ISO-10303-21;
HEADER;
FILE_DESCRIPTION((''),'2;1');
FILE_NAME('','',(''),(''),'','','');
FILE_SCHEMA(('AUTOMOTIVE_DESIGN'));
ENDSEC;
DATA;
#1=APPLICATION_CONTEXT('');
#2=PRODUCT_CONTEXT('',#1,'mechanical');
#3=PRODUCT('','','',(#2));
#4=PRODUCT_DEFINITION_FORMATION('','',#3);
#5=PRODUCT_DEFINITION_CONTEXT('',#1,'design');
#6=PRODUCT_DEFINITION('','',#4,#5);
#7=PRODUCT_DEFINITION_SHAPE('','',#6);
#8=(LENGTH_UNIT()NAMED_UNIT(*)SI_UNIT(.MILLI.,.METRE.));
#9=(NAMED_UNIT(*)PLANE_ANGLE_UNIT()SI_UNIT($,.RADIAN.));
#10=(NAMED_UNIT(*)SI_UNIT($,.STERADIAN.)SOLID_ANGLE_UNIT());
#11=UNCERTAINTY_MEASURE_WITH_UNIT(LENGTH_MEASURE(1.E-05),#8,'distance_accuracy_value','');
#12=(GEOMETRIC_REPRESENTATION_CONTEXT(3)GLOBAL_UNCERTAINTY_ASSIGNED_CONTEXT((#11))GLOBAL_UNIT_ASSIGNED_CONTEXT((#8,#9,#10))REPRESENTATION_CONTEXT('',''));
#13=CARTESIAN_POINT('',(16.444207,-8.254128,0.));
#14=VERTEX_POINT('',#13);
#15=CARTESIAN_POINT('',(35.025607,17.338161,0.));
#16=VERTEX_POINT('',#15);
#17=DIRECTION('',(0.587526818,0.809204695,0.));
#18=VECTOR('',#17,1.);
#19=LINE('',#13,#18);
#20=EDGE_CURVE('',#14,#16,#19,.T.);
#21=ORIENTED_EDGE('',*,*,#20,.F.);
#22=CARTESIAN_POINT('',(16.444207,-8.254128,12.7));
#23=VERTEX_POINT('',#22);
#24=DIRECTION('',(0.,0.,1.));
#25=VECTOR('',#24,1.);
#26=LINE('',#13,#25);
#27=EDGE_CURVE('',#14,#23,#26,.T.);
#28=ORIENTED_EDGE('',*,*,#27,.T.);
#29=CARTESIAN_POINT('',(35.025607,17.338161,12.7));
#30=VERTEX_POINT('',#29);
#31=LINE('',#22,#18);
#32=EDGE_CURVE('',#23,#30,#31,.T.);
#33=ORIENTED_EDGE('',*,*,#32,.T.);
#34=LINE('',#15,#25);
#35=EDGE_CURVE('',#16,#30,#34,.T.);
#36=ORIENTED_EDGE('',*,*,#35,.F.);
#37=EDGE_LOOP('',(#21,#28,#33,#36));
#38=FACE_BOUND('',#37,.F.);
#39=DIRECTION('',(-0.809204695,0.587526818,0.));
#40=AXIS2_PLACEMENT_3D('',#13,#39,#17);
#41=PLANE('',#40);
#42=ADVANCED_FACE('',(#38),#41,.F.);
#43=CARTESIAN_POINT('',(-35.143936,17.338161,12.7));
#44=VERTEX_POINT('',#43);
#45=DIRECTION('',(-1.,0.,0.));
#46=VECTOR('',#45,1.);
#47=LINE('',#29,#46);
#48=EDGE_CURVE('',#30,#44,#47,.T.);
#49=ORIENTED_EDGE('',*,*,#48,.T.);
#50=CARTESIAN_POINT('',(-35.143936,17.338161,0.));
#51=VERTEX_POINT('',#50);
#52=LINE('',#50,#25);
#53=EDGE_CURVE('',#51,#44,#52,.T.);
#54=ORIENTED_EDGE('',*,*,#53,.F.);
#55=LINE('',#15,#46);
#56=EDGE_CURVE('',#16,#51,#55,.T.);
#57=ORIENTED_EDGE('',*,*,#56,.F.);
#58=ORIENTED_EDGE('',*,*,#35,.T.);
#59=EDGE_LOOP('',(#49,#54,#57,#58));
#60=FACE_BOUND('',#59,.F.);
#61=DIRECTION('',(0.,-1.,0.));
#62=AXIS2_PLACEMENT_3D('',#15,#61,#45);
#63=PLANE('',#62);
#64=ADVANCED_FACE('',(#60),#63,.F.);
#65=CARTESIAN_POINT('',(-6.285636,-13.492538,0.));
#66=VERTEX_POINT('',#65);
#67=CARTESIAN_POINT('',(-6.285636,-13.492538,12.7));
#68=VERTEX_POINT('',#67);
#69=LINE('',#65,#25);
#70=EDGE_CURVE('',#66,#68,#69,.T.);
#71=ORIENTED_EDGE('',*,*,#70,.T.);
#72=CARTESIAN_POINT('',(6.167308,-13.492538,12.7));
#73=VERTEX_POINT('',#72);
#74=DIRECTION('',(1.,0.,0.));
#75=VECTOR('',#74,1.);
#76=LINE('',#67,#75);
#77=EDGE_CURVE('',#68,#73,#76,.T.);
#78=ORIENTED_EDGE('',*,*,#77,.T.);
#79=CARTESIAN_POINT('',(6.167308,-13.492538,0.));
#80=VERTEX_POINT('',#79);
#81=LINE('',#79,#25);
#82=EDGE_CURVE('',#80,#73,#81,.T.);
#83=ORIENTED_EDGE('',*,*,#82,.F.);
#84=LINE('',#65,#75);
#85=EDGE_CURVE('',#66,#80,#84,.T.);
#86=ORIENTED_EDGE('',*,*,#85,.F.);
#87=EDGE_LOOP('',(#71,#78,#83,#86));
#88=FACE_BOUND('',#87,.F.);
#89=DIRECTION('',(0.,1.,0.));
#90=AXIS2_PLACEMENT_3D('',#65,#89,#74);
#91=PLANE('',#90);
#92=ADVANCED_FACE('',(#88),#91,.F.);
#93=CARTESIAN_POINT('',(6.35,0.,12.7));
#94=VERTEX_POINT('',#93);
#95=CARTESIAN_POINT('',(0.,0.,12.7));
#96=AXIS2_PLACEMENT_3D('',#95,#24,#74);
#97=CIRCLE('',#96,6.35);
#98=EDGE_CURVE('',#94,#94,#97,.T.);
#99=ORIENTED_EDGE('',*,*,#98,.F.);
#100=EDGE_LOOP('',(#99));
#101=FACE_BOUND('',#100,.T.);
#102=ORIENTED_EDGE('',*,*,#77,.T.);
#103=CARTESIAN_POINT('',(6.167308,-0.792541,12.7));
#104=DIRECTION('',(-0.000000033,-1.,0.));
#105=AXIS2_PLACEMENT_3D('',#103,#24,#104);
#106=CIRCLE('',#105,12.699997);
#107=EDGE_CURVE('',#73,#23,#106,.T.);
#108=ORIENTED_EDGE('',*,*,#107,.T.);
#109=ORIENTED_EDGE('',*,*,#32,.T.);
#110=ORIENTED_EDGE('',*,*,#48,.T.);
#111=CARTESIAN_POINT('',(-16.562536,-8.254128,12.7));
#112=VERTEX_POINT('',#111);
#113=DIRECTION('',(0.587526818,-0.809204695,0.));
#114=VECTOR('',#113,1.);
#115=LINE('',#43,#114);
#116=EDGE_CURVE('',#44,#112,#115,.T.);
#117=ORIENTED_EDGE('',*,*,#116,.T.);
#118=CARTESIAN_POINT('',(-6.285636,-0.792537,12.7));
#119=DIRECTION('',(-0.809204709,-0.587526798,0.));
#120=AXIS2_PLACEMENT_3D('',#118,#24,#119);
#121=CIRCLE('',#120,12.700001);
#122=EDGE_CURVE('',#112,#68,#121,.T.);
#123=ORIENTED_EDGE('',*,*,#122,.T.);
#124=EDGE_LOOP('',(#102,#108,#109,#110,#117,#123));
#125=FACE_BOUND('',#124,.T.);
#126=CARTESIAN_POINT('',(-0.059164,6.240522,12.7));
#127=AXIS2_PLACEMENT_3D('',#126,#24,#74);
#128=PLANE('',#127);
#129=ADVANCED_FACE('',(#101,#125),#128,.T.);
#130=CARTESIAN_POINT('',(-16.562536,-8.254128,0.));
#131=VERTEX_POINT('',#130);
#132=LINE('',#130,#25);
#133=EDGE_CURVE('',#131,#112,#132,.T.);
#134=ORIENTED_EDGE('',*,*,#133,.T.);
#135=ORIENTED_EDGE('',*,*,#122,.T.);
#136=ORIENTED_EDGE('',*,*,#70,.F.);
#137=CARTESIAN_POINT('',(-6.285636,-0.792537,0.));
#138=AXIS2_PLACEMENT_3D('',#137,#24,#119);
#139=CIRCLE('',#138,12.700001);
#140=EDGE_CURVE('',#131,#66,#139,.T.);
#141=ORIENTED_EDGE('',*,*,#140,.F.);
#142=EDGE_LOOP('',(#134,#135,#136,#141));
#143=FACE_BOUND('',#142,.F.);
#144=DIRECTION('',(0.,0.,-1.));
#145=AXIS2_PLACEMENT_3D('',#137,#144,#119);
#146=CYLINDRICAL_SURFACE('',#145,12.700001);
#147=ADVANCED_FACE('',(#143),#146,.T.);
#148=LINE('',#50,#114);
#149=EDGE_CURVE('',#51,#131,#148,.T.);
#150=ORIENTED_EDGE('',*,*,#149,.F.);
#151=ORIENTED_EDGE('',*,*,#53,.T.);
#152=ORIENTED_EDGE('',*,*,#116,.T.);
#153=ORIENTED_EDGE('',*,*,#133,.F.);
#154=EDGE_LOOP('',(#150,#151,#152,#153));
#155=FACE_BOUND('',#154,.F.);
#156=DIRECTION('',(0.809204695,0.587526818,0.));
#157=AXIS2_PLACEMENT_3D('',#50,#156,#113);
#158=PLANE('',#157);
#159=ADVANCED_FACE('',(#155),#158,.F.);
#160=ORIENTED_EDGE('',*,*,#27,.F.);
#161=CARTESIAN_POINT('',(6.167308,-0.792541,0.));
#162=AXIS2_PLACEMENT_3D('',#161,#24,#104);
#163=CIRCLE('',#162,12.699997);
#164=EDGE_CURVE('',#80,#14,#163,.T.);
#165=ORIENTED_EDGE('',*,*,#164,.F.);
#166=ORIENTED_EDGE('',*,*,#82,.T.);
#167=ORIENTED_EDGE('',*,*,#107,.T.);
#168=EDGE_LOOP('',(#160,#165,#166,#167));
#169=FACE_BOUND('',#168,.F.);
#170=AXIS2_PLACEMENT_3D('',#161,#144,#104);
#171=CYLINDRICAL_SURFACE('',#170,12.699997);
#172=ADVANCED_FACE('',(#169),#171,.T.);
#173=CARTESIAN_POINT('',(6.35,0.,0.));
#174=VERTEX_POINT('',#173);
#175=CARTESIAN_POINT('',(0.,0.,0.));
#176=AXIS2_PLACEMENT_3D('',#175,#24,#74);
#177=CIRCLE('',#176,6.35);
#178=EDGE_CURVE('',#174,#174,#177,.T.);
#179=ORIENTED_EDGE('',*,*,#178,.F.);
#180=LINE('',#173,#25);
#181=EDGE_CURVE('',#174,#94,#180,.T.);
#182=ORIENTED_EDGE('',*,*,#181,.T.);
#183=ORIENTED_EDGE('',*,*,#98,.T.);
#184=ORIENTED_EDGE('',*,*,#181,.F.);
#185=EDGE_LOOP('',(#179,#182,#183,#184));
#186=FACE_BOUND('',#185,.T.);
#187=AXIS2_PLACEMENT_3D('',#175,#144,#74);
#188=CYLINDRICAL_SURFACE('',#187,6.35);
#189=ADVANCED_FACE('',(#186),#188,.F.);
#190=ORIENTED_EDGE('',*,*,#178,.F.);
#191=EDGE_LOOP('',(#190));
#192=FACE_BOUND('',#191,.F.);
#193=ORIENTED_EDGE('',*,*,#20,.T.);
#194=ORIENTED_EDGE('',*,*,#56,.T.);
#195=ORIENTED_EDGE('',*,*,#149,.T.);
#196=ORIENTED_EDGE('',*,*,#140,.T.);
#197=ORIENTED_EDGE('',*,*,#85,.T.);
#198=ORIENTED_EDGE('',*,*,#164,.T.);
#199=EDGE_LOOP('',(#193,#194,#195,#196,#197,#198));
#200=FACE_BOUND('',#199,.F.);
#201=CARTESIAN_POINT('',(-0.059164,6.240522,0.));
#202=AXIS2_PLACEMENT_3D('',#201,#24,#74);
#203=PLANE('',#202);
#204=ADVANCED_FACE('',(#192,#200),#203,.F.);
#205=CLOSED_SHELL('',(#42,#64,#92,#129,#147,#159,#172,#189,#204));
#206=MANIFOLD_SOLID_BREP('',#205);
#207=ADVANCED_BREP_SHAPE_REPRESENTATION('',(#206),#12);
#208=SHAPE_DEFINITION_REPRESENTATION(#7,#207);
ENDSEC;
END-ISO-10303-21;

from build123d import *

# Parameters (mm, degrees)
F0_R     = 6.35
F1_DEPTH = 12.7


with BuildPart() as f1:
    # F0 (on Top) → F1 (new body)
    with BuildSketch(Plane.XY):
        with BuildLine():
            Line((35.025607, 17.338161), (-35.143936, 17.338161))
            Line((-35.143936, 17.338161), (-16.562536, -8.254128))
            ThreePointArc((-16.562536, -8.254128), (-12.053122, -12.1074), (-6.285636, -13.492538))
            Line((-6.285636, -13.492538), (6.167308, -13.492538))
            ThreePointArc((6.167308, -13.492538), (11.934794, -12.1074), (16.444207, -8.254128))
            Line((16.444207, -8.254128), (35.025607, 17.338161))
        make_face()
        Circle(F0_R, mode=Mode.SUBTRACT)
    extrude(amount=F1_DEPTH)


solid = f1.part
